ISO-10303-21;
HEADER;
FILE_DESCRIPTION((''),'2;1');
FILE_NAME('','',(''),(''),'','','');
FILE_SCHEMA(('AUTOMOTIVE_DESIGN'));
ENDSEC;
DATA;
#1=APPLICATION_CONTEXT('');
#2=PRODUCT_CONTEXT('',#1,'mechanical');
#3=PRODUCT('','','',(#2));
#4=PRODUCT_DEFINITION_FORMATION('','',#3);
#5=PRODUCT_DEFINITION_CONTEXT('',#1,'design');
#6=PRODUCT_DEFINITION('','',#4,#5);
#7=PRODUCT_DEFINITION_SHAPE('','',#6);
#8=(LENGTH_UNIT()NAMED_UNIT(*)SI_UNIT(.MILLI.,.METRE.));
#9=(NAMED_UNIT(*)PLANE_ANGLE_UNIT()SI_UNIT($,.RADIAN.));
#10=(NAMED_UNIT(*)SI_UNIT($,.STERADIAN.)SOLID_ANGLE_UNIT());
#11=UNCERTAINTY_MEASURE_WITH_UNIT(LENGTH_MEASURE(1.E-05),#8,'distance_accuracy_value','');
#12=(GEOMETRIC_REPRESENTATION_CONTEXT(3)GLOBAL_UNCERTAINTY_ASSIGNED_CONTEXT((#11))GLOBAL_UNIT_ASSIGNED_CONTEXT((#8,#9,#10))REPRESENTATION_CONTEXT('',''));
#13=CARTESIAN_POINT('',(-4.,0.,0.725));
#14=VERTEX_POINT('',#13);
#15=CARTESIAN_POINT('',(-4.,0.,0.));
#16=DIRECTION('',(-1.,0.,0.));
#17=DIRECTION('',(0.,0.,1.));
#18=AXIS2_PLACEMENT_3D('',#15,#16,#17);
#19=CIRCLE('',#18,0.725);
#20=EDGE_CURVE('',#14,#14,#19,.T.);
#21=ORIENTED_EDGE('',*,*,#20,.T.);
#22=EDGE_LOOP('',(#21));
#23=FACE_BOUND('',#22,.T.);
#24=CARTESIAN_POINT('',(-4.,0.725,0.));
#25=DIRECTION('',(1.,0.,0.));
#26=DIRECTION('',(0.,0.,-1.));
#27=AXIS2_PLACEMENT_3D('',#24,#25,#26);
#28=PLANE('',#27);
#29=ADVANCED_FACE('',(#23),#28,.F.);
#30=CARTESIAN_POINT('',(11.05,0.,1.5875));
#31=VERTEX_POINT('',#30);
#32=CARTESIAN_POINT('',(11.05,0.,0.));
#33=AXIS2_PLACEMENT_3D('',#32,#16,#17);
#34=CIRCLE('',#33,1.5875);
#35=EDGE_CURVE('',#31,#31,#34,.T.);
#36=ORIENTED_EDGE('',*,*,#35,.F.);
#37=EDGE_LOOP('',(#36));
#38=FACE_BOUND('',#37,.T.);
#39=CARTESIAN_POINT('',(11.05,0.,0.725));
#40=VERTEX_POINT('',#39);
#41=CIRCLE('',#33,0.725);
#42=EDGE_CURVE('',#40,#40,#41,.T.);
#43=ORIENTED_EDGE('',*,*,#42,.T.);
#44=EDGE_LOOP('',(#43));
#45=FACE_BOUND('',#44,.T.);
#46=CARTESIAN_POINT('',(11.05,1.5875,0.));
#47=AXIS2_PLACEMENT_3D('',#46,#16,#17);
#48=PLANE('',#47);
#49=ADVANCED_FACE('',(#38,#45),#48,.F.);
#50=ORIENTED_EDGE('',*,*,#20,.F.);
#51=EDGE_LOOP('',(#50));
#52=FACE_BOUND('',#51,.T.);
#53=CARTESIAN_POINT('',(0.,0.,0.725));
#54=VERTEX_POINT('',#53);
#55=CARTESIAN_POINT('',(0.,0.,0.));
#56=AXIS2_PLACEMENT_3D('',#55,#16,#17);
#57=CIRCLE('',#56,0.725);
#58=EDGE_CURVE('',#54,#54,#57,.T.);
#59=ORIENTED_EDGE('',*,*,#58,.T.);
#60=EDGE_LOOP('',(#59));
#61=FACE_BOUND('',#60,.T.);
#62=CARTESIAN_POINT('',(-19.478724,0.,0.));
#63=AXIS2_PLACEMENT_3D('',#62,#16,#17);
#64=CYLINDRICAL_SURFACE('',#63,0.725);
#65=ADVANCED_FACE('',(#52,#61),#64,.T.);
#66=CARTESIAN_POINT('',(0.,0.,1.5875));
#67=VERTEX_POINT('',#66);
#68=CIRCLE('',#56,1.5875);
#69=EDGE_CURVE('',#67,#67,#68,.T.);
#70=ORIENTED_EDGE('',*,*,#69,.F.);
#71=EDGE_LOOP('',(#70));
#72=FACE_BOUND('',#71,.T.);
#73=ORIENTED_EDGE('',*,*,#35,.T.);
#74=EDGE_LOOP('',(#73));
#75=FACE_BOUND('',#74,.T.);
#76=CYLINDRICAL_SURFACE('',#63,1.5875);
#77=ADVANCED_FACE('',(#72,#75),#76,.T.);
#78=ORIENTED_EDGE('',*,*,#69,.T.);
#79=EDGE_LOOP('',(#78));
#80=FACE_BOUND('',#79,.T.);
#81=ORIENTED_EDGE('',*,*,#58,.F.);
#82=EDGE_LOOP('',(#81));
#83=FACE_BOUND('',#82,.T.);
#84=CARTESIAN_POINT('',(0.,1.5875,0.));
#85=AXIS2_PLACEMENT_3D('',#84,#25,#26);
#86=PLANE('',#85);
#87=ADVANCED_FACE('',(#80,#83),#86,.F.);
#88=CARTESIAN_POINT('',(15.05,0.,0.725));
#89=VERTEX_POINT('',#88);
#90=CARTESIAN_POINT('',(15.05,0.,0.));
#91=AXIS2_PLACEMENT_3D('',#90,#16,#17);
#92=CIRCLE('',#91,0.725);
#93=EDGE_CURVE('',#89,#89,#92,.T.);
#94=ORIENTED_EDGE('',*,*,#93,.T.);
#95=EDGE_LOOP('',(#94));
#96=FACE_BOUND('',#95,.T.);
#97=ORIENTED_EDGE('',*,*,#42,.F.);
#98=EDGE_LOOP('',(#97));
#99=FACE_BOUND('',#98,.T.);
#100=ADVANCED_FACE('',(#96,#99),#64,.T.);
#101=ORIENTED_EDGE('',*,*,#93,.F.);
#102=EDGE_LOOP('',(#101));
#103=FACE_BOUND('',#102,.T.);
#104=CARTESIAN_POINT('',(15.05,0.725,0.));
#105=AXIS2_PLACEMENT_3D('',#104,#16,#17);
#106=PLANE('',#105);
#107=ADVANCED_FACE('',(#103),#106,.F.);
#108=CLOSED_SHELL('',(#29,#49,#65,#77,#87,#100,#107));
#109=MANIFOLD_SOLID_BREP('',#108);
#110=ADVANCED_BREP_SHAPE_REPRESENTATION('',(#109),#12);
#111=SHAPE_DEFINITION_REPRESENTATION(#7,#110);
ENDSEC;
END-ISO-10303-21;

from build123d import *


with BuildPart() as part:
    # Sketch1 → Revolve1 (revolve)
    with BuildSketch(Plane.XY, mode=Mode.PRIVATE) as revolve1_sk:
        Polygon((0, 1.5875), (0, 0.725), (-4, 0.725), (-4, 0), (15.05, 0), (15.05, 0.725), (11.05, 0.725), (11.05, 1.5875), align=None)
    revolve(revolve1_sk.sketch.rotate(Axis((-19.47872402, 0, 0), (1, 0, 0)), 90), axis=Axis((-19.47872402, 0, 0), (1, 0, 0)))  # turned: the seam where the file's is


solid = part.part
